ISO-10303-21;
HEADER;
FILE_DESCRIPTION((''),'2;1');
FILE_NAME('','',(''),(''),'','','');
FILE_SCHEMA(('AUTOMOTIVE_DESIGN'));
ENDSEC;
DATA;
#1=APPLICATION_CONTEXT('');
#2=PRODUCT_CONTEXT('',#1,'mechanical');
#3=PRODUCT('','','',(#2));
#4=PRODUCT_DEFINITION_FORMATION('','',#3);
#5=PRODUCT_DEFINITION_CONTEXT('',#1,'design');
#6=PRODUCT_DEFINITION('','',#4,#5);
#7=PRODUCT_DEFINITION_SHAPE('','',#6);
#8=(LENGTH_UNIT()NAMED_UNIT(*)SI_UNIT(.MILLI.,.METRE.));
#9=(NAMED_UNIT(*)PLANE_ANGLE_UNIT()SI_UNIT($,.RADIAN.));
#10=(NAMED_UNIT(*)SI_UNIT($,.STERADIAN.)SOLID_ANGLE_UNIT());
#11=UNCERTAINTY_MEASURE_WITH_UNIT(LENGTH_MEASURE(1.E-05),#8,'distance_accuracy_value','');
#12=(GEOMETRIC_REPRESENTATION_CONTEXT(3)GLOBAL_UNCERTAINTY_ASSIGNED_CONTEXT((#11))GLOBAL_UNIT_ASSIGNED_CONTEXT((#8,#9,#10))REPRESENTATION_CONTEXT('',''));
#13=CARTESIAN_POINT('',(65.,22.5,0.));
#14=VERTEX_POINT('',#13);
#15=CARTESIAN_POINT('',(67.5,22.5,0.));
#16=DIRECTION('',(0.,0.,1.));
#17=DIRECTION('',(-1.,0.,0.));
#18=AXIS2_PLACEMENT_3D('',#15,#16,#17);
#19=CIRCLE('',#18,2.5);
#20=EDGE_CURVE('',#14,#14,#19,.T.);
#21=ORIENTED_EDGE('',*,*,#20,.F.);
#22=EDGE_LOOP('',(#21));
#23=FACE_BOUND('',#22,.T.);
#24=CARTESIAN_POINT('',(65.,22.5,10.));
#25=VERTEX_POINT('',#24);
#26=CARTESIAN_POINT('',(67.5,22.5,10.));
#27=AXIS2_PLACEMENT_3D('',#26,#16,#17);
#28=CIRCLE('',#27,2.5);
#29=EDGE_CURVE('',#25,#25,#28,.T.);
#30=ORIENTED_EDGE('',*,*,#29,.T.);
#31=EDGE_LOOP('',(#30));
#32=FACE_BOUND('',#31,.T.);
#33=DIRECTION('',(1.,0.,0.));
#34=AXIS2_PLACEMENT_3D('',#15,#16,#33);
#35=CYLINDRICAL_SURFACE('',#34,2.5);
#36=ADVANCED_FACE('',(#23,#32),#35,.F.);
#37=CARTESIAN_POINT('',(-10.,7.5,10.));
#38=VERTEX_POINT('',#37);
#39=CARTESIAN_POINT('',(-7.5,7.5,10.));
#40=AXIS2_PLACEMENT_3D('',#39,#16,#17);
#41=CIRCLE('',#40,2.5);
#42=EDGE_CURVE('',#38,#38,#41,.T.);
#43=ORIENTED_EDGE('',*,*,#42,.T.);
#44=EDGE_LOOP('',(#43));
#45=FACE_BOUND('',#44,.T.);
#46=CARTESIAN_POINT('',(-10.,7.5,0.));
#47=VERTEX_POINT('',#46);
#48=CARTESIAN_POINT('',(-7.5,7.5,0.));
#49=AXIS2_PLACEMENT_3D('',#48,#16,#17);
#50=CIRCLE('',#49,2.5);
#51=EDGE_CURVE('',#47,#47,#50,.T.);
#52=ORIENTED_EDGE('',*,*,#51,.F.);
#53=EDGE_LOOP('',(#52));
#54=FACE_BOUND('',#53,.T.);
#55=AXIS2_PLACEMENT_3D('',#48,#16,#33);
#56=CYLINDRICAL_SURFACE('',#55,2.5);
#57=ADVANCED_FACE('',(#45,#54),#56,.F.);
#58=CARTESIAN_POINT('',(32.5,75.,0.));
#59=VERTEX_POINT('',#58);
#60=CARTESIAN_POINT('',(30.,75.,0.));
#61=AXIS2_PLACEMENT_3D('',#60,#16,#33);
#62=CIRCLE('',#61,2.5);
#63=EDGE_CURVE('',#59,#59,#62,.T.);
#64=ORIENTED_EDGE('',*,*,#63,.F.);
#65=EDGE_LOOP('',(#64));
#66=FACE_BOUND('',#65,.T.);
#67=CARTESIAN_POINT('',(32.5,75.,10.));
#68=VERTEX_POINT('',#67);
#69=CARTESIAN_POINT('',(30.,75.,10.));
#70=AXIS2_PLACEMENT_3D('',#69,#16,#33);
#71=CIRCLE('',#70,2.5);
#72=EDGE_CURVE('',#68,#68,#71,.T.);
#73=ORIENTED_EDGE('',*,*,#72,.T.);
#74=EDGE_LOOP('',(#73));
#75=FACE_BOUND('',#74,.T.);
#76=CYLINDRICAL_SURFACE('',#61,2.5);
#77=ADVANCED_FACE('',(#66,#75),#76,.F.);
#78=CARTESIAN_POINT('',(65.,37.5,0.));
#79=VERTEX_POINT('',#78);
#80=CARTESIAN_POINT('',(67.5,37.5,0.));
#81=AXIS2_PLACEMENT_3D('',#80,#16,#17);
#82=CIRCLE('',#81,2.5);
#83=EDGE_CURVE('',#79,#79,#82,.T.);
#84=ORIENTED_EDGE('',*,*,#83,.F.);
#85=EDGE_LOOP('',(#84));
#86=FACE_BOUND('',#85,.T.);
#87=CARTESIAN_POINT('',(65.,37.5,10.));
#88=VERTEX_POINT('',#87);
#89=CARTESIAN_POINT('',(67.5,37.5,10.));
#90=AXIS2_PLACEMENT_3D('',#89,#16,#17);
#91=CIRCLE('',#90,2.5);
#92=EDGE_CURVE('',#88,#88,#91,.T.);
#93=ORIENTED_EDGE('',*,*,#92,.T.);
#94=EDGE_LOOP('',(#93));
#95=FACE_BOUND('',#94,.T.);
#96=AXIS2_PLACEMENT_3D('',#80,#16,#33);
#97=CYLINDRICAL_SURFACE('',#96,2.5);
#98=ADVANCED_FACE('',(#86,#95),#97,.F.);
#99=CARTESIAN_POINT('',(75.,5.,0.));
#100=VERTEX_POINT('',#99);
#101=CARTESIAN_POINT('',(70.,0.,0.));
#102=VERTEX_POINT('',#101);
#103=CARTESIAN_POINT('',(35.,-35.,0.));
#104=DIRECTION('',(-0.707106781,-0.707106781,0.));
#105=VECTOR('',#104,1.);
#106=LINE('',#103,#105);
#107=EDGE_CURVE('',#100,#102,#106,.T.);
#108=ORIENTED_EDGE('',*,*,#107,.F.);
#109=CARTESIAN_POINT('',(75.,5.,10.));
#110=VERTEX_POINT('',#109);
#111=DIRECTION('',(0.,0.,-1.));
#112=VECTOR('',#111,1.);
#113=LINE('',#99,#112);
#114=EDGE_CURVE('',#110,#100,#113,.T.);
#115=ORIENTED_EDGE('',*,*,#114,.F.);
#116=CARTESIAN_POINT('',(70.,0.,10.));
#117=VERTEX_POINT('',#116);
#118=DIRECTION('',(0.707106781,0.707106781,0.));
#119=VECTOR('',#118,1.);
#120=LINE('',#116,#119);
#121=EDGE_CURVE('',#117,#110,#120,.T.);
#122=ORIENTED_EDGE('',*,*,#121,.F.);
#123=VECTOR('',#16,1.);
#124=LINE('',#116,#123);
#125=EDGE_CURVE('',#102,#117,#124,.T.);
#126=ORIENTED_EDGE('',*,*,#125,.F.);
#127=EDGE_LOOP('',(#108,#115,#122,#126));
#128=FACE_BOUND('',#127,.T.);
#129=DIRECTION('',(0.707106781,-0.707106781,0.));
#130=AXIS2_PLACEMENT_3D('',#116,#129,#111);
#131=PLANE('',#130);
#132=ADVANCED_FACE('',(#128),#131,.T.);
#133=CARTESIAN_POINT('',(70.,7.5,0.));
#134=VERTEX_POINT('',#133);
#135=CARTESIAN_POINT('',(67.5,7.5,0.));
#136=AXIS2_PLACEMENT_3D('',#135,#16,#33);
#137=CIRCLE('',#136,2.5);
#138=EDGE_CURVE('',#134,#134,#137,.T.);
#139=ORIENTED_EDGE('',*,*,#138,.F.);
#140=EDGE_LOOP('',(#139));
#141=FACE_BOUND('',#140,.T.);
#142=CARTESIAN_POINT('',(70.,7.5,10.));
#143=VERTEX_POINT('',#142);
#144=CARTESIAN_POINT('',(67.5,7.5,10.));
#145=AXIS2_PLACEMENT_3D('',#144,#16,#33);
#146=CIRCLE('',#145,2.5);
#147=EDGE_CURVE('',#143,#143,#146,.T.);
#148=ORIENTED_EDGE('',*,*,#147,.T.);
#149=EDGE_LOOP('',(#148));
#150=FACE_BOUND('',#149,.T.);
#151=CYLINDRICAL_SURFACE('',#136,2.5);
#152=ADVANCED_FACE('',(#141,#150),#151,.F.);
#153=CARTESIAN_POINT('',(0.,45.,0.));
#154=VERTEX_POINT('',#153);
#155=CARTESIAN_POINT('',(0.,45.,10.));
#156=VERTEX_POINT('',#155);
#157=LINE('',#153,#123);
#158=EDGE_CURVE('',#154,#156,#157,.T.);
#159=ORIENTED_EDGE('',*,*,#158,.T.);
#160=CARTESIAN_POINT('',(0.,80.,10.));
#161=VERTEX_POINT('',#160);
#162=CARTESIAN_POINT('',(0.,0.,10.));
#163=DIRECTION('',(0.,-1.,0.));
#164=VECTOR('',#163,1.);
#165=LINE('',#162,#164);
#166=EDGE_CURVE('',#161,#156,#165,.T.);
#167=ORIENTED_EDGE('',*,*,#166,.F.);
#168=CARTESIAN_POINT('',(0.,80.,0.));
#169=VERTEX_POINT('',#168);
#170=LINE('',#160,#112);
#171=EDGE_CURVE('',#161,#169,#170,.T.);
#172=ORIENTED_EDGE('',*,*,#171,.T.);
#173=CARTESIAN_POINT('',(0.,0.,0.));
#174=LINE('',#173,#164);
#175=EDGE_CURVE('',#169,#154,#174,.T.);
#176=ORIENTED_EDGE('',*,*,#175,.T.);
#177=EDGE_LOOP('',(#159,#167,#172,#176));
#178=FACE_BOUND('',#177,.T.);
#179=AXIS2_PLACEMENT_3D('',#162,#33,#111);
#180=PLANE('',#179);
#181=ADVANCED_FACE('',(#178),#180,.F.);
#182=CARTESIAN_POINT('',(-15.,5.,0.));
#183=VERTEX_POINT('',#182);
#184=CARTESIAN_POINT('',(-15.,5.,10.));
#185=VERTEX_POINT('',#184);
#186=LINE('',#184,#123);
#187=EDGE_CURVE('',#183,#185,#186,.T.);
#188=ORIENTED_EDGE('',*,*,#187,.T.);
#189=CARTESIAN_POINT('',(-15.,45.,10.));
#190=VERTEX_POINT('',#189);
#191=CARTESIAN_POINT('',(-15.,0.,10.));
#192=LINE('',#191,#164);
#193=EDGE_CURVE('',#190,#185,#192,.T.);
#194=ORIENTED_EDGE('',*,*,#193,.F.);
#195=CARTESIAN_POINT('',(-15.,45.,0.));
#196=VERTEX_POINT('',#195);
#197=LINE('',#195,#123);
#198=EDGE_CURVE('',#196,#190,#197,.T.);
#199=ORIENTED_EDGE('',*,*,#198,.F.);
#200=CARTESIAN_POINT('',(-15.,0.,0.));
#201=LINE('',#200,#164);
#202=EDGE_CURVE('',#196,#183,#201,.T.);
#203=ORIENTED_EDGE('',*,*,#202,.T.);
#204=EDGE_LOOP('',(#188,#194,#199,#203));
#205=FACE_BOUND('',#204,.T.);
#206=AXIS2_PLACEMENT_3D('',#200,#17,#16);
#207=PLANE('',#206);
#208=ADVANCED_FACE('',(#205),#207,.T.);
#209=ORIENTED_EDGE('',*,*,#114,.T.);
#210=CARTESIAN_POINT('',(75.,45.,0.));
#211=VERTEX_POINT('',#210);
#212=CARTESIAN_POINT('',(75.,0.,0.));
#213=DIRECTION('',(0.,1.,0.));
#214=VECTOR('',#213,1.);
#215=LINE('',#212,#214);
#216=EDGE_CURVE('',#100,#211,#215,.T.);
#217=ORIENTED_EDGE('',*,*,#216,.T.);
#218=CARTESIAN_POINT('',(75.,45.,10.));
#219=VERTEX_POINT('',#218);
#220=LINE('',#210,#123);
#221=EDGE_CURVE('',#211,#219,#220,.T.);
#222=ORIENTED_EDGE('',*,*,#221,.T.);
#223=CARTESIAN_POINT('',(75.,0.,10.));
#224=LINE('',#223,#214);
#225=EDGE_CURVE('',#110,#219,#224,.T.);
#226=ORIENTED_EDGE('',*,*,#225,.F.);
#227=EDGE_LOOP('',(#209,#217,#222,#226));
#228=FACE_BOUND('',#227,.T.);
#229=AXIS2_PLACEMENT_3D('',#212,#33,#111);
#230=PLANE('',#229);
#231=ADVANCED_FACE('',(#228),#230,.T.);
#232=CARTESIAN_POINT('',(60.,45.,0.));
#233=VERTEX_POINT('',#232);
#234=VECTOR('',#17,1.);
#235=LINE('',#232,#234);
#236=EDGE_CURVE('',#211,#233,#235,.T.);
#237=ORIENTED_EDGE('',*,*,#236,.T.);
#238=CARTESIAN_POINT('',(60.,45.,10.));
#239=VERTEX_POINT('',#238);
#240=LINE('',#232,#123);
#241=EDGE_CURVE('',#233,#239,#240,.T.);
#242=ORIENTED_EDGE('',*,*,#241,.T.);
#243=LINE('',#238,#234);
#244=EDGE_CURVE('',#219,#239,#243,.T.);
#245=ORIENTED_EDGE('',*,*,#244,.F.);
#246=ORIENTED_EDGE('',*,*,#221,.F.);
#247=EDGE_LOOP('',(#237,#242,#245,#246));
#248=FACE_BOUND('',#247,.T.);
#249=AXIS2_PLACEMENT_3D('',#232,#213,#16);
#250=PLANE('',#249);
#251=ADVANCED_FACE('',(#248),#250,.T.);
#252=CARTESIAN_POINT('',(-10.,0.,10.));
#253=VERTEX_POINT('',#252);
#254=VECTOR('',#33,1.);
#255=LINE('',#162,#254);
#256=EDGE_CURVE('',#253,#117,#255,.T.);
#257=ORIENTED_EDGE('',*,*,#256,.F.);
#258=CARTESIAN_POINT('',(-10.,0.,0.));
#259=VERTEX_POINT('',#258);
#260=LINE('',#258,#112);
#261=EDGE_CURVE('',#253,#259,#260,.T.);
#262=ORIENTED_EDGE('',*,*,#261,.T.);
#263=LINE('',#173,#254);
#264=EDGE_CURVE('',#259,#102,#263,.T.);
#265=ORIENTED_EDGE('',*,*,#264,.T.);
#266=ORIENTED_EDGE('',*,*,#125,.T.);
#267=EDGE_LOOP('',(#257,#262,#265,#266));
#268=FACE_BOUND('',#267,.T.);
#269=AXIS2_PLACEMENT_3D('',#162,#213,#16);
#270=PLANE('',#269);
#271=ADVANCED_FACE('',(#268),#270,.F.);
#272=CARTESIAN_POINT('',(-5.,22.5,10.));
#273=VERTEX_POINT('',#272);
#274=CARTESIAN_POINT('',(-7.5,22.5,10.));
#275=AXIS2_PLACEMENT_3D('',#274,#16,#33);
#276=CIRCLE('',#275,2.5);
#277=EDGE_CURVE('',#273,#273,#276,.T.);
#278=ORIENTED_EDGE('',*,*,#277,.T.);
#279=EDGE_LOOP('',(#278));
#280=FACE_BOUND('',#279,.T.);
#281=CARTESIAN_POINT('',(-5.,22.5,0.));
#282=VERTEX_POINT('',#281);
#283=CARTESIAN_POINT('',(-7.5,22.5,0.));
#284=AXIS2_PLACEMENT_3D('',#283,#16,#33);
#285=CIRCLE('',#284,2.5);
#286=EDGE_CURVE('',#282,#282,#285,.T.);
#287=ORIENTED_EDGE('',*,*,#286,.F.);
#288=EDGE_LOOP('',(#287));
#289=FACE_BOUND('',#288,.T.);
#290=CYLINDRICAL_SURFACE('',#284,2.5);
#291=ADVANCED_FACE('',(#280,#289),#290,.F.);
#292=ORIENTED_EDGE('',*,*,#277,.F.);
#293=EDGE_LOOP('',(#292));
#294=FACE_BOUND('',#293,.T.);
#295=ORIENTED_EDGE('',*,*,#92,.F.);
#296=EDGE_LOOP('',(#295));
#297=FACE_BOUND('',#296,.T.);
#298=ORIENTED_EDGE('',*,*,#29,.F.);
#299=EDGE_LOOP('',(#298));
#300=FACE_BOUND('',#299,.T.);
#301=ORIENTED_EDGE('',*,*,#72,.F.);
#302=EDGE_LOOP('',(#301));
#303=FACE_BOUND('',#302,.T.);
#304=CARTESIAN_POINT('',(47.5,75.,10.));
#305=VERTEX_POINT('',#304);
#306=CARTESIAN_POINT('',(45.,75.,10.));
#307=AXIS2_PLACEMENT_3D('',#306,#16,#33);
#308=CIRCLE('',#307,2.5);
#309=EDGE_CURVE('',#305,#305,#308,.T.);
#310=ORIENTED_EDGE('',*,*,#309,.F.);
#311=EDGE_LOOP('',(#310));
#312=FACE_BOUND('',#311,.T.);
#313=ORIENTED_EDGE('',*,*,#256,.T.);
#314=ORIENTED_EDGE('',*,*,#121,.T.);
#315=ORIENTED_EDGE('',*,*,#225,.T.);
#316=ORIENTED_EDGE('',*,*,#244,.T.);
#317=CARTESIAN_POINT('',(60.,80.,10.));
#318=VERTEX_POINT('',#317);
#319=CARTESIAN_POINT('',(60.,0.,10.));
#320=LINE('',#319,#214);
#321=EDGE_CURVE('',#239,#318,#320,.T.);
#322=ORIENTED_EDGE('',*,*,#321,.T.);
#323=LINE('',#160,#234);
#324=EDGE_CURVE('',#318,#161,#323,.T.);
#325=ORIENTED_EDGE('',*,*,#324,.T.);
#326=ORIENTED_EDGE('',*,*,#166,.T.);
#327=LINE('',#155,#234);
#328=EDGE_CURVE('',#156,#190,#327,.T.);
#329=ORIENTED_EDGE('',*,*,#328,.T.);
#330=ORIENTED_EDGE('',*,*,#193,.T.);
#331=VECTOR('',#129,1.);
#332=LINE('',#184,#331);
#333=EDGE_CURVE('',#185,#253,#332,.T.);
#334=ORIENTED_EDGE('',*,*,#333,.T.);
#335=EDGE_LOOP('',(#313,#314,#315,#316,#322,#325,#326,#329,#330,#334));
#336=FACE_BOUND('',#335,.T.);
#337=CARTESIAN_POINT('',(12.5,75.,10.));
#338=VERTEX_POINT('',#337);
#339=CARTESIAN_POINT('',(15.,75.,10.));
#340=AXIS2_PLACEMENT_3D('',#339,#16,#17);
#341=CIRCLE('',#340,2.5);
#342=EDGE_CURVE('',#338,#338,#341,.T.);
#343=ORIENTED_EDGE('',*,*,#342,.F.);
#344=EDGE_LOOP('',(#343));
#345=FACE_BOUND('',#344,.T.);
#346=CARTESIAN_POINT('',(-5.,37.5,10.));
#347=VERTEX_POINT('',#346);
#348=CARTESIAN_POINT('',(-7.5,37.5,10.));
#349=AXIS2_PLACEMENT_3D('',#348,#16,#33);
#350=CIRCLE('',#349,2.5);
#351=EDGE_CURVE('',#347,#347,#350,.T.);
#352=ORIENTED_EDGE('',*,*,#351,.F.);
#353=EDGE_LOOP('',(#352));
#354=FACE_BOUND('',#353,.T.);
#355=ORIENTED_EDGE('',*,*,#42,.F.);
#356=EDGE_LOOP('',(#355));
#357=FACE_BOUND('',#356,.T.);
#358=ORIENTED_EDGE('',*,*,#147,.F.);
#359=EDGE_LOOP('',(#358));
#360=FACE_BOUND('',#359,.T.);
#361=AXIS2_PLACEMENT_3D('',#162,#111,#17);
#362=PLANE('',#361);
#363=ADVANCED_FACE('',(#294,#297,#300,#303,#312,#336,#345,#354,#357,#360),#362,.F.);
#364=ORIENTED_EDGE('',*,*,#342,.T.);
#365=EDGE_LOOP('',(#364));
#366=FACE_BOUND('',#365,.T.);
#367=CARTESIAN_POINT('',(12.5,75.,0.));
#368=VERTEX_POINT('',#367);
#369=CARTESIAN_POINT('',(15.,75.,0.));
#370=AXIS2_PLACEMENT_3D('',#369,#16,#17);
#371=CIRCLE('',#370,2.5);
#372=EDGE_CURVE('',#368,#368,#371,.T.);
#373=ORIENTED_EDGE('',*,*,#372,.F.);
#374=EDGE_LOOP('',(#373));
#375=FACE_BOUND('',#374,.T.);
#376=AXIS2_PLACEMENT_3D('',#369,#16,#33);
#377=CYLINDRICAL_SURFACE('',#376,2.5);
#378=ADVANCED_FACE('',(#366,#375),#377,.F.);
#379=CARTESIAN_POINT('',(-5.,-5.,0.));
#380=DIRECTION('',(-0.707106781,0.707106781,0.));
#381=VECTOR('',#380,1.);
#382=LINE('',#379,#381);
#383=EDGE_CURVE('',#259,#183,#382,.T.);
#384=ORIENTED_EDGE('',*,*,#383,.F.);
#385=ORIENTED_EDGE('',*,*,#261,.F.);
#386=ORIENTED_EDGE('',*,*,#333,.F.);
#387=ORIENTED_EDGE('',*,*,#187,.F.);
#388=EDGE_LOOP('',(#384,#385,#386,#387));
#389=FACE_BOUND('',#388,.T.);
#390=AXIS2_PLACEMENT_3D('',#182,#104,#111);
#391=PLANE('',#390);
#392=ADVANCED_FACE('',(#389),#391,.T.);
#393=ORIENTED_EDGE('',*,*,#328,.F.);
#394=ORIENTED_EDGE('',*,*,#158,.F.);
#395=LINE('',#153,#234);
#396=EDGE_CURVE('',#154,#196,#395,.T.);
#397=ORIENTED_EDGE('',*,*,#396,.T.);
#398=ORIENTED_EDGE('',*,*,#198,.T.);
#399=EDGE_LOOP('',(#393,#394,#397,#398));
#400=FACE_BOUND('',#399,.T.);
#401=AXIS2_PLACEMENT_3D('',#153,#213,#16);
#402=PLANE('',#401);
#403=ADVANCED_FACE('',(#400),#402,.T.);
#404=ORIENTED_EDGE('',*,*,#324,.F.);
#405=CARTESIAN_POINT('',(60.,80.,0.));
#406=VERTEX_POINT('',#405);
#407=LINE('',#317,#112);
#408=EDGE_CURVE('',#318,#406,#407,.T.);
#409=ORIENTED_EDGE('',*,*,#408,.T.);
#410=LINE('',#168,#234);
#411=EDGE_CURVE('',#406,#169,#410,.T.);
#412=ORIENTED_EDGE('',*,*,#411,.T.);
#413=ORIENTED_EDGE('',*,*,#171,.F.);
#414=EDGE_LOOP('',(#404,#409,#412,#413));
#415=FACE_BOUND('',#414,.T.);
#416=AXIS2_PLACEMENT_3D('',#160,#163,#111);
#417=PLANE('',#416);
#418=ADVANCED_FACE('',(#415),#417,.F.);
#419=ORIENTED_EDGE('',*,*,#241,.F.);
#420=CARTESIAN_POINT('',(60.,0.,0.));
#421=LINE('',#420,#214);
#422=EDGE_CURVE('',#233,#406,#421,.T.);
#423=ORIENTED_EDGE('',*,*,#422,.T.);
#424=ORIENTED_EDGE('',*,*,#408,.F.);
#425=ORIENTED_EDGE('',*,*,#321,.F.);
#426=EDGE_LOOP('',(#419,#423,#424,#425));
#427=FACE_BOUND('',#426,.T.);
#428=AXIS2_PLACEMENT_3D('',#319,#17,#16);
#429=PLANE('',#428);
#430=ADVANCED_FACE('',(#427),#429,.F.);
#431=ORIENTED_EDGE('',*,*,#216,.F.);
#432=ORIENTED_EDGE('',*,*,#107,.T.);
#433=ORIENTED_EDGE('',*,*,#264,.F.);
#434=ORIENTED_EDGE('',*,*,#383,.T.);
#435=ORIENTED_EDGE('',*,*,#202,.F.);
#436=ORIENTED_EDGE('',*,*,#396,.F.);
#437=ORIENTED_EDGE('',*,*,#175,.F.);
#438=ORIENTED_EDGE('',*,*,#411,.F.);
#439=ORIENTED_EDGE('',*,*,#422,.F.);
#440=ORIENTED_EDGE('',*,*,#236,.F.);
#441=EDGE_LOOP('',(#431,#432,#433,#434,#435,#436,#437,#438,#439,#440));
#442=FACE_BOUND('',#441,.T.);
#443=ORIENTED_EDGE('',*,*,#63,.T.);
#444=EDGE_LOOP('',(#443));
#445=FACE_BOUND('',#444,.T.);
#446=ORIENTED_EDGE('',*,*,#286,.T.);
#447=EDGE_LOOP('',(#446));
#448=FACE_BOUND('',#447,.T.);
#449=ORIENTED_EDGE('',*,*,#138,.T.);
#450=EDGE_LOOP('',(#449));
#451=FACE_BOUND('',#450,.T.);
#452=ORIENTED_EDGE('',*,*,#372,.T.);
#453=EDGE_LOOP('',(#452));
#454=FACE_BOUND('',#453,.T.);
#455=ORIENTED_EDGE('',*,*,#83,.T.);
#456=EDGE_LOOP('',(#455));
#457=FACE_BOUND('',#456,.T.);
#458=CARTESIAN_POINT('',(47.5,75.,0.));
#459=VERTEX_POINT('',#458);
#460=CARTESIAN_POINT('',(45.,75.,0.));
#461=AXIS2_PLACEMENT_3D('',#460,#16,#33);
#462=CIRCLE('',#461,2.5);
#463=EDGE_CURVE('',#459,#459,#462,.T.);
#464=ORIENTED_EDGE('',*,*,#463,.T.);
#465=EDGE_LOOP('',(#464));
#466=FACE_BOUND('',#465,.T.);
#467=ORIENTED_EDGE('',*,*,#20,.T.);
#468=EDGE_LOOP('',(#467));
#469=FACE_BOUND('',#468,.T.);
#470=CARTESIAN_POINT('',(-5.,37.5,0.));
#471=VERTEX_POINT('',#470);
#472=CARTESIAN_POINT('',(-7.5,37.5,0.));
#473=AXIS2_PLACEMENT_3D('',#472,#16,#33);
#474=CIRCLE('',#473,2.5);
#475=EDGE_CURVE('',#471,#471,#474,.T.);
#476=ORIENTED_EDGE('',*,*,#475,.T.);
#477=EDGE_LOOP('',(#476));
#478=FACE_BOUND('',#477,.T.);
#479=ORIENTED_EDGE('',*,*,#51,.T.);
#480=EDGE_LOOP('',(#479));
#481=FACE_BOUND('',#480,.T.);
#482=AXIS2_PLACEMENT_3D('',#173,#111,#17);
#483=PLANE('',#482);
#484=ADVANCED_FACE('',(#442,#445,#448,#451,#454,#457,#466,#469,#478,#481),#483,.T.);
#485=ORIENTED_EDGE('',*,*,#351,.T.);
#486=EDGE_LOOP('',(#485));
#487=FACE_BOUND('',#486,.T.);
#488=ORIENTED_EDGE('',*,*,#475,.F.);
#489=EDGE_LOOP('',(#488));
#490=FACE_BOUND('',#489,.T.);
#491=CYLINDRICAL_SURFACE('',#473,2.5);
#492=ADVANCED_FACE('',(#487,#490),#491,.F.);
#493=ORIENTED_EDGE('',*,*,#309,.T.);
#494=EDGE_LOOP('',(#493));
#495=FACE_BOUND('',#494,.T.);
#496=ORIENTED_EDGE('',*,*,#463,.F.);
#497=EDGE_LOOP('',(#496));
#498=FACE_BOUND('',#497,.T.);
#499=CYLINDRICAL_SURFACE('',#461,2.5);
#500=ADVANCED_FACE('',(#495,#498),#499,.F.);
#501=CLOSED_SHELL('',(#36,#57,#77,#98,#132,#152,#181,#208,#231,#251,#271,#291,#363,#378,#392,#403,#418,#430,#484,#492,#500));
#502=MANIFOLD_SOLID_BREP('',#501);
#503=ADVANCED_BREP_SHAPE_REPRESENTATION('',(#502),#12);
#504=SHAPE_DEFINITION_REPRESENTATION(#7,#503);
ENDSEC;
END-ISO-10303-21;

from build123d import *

# Parameters (mm, degrees)
ESQUISSE1_W             = 60
ESQUISSE1_H             = 80
BOSS_EXTRU_1_DEPTH      = 10
ESQUISSE3_W             = 15
ESQUISSE3_H             = 45
BOSS_EXTRU_2_DEPTH      = 10
ESQUISSE2_R             = 2.5
ENL_V_MAT_EXTRU_1_DEPTH = 10
CHANFREIN1_SIZE         = 5


with BuildPart() as part:
    # Esquisse1 → Boss.-Extru.1 (new body)
    with BuildSketch(Plane.XY):
        with Locations((30, 40)):
            Rectangle(ESQUISSE1_W, ESQUISSE1_H)
    extrude(amount=BOSS_EXTRU_1_DEPTH)

    # Esquisse3 → Boss.-Extru.2 (add)
    with BuildSketch(Plane.XY.offset(10)):
        with Locations((-7.5, 22.5)):
            Rectangle(ESQUISSE3_W, ESQUISSE3_H)
        with Locations((67.5, 22.5)):
            Rectangle(ESQUISSE3_W, ESQUISSE3_H)
    extrude(amount=-BOSS_EXTRU_2_DEPTH)

    # Esquisse2 → Enlèv. mat.-Extru.1 (cut)
    with BuildSketch(Plane.XY.offset(10)):
        with Locations((45, 75)):
            Circle(ESQUISSE2_R)
        with Locations((30, 75)):
            Circle(ESQUISSE2_R)
        with Locations(Location((15, 75, 0), (0, 0, 180))):
            Circle(ESQUISSE2_R)
        with Locations((-7.5, 22.5)):
            Circle(ESQUISSE2_R)
        with Locations((-7.5, 37.5)):
            Circle(ESQUISSE2_R)
        with Locations(Location((-7.5, 7.5, 0), (0, 0, 180))):
            Circle(ESQUISSE2_R)
        with Locations((67.5, 7.5)):
            Circle(ESQUISSE2_R)
        with Locations(Location((67.5, 37.5, 0), (0, 0, 180))):
            Circle(ESQUISSE2_R)
        with Locations(Location((67.5, 22.5, 0), (0, 0, 180))):
            Circle(ESQUISSE2_R)
    extrude(amount=-ENL_V_MAT_EXTRU_1_DEPTH, mode=Mode.SUBTRACT)

    # Chanfrein1
    chanfrein1_edges = [part.edges().sort_by_distance(p)[0] for p in [
        (-15, 0, 5),
        (75, 0, 5),
    ]]
    chamfer(chanfrein1_edges, length=CHANFREIN1_SIZE)


solid = part.part
